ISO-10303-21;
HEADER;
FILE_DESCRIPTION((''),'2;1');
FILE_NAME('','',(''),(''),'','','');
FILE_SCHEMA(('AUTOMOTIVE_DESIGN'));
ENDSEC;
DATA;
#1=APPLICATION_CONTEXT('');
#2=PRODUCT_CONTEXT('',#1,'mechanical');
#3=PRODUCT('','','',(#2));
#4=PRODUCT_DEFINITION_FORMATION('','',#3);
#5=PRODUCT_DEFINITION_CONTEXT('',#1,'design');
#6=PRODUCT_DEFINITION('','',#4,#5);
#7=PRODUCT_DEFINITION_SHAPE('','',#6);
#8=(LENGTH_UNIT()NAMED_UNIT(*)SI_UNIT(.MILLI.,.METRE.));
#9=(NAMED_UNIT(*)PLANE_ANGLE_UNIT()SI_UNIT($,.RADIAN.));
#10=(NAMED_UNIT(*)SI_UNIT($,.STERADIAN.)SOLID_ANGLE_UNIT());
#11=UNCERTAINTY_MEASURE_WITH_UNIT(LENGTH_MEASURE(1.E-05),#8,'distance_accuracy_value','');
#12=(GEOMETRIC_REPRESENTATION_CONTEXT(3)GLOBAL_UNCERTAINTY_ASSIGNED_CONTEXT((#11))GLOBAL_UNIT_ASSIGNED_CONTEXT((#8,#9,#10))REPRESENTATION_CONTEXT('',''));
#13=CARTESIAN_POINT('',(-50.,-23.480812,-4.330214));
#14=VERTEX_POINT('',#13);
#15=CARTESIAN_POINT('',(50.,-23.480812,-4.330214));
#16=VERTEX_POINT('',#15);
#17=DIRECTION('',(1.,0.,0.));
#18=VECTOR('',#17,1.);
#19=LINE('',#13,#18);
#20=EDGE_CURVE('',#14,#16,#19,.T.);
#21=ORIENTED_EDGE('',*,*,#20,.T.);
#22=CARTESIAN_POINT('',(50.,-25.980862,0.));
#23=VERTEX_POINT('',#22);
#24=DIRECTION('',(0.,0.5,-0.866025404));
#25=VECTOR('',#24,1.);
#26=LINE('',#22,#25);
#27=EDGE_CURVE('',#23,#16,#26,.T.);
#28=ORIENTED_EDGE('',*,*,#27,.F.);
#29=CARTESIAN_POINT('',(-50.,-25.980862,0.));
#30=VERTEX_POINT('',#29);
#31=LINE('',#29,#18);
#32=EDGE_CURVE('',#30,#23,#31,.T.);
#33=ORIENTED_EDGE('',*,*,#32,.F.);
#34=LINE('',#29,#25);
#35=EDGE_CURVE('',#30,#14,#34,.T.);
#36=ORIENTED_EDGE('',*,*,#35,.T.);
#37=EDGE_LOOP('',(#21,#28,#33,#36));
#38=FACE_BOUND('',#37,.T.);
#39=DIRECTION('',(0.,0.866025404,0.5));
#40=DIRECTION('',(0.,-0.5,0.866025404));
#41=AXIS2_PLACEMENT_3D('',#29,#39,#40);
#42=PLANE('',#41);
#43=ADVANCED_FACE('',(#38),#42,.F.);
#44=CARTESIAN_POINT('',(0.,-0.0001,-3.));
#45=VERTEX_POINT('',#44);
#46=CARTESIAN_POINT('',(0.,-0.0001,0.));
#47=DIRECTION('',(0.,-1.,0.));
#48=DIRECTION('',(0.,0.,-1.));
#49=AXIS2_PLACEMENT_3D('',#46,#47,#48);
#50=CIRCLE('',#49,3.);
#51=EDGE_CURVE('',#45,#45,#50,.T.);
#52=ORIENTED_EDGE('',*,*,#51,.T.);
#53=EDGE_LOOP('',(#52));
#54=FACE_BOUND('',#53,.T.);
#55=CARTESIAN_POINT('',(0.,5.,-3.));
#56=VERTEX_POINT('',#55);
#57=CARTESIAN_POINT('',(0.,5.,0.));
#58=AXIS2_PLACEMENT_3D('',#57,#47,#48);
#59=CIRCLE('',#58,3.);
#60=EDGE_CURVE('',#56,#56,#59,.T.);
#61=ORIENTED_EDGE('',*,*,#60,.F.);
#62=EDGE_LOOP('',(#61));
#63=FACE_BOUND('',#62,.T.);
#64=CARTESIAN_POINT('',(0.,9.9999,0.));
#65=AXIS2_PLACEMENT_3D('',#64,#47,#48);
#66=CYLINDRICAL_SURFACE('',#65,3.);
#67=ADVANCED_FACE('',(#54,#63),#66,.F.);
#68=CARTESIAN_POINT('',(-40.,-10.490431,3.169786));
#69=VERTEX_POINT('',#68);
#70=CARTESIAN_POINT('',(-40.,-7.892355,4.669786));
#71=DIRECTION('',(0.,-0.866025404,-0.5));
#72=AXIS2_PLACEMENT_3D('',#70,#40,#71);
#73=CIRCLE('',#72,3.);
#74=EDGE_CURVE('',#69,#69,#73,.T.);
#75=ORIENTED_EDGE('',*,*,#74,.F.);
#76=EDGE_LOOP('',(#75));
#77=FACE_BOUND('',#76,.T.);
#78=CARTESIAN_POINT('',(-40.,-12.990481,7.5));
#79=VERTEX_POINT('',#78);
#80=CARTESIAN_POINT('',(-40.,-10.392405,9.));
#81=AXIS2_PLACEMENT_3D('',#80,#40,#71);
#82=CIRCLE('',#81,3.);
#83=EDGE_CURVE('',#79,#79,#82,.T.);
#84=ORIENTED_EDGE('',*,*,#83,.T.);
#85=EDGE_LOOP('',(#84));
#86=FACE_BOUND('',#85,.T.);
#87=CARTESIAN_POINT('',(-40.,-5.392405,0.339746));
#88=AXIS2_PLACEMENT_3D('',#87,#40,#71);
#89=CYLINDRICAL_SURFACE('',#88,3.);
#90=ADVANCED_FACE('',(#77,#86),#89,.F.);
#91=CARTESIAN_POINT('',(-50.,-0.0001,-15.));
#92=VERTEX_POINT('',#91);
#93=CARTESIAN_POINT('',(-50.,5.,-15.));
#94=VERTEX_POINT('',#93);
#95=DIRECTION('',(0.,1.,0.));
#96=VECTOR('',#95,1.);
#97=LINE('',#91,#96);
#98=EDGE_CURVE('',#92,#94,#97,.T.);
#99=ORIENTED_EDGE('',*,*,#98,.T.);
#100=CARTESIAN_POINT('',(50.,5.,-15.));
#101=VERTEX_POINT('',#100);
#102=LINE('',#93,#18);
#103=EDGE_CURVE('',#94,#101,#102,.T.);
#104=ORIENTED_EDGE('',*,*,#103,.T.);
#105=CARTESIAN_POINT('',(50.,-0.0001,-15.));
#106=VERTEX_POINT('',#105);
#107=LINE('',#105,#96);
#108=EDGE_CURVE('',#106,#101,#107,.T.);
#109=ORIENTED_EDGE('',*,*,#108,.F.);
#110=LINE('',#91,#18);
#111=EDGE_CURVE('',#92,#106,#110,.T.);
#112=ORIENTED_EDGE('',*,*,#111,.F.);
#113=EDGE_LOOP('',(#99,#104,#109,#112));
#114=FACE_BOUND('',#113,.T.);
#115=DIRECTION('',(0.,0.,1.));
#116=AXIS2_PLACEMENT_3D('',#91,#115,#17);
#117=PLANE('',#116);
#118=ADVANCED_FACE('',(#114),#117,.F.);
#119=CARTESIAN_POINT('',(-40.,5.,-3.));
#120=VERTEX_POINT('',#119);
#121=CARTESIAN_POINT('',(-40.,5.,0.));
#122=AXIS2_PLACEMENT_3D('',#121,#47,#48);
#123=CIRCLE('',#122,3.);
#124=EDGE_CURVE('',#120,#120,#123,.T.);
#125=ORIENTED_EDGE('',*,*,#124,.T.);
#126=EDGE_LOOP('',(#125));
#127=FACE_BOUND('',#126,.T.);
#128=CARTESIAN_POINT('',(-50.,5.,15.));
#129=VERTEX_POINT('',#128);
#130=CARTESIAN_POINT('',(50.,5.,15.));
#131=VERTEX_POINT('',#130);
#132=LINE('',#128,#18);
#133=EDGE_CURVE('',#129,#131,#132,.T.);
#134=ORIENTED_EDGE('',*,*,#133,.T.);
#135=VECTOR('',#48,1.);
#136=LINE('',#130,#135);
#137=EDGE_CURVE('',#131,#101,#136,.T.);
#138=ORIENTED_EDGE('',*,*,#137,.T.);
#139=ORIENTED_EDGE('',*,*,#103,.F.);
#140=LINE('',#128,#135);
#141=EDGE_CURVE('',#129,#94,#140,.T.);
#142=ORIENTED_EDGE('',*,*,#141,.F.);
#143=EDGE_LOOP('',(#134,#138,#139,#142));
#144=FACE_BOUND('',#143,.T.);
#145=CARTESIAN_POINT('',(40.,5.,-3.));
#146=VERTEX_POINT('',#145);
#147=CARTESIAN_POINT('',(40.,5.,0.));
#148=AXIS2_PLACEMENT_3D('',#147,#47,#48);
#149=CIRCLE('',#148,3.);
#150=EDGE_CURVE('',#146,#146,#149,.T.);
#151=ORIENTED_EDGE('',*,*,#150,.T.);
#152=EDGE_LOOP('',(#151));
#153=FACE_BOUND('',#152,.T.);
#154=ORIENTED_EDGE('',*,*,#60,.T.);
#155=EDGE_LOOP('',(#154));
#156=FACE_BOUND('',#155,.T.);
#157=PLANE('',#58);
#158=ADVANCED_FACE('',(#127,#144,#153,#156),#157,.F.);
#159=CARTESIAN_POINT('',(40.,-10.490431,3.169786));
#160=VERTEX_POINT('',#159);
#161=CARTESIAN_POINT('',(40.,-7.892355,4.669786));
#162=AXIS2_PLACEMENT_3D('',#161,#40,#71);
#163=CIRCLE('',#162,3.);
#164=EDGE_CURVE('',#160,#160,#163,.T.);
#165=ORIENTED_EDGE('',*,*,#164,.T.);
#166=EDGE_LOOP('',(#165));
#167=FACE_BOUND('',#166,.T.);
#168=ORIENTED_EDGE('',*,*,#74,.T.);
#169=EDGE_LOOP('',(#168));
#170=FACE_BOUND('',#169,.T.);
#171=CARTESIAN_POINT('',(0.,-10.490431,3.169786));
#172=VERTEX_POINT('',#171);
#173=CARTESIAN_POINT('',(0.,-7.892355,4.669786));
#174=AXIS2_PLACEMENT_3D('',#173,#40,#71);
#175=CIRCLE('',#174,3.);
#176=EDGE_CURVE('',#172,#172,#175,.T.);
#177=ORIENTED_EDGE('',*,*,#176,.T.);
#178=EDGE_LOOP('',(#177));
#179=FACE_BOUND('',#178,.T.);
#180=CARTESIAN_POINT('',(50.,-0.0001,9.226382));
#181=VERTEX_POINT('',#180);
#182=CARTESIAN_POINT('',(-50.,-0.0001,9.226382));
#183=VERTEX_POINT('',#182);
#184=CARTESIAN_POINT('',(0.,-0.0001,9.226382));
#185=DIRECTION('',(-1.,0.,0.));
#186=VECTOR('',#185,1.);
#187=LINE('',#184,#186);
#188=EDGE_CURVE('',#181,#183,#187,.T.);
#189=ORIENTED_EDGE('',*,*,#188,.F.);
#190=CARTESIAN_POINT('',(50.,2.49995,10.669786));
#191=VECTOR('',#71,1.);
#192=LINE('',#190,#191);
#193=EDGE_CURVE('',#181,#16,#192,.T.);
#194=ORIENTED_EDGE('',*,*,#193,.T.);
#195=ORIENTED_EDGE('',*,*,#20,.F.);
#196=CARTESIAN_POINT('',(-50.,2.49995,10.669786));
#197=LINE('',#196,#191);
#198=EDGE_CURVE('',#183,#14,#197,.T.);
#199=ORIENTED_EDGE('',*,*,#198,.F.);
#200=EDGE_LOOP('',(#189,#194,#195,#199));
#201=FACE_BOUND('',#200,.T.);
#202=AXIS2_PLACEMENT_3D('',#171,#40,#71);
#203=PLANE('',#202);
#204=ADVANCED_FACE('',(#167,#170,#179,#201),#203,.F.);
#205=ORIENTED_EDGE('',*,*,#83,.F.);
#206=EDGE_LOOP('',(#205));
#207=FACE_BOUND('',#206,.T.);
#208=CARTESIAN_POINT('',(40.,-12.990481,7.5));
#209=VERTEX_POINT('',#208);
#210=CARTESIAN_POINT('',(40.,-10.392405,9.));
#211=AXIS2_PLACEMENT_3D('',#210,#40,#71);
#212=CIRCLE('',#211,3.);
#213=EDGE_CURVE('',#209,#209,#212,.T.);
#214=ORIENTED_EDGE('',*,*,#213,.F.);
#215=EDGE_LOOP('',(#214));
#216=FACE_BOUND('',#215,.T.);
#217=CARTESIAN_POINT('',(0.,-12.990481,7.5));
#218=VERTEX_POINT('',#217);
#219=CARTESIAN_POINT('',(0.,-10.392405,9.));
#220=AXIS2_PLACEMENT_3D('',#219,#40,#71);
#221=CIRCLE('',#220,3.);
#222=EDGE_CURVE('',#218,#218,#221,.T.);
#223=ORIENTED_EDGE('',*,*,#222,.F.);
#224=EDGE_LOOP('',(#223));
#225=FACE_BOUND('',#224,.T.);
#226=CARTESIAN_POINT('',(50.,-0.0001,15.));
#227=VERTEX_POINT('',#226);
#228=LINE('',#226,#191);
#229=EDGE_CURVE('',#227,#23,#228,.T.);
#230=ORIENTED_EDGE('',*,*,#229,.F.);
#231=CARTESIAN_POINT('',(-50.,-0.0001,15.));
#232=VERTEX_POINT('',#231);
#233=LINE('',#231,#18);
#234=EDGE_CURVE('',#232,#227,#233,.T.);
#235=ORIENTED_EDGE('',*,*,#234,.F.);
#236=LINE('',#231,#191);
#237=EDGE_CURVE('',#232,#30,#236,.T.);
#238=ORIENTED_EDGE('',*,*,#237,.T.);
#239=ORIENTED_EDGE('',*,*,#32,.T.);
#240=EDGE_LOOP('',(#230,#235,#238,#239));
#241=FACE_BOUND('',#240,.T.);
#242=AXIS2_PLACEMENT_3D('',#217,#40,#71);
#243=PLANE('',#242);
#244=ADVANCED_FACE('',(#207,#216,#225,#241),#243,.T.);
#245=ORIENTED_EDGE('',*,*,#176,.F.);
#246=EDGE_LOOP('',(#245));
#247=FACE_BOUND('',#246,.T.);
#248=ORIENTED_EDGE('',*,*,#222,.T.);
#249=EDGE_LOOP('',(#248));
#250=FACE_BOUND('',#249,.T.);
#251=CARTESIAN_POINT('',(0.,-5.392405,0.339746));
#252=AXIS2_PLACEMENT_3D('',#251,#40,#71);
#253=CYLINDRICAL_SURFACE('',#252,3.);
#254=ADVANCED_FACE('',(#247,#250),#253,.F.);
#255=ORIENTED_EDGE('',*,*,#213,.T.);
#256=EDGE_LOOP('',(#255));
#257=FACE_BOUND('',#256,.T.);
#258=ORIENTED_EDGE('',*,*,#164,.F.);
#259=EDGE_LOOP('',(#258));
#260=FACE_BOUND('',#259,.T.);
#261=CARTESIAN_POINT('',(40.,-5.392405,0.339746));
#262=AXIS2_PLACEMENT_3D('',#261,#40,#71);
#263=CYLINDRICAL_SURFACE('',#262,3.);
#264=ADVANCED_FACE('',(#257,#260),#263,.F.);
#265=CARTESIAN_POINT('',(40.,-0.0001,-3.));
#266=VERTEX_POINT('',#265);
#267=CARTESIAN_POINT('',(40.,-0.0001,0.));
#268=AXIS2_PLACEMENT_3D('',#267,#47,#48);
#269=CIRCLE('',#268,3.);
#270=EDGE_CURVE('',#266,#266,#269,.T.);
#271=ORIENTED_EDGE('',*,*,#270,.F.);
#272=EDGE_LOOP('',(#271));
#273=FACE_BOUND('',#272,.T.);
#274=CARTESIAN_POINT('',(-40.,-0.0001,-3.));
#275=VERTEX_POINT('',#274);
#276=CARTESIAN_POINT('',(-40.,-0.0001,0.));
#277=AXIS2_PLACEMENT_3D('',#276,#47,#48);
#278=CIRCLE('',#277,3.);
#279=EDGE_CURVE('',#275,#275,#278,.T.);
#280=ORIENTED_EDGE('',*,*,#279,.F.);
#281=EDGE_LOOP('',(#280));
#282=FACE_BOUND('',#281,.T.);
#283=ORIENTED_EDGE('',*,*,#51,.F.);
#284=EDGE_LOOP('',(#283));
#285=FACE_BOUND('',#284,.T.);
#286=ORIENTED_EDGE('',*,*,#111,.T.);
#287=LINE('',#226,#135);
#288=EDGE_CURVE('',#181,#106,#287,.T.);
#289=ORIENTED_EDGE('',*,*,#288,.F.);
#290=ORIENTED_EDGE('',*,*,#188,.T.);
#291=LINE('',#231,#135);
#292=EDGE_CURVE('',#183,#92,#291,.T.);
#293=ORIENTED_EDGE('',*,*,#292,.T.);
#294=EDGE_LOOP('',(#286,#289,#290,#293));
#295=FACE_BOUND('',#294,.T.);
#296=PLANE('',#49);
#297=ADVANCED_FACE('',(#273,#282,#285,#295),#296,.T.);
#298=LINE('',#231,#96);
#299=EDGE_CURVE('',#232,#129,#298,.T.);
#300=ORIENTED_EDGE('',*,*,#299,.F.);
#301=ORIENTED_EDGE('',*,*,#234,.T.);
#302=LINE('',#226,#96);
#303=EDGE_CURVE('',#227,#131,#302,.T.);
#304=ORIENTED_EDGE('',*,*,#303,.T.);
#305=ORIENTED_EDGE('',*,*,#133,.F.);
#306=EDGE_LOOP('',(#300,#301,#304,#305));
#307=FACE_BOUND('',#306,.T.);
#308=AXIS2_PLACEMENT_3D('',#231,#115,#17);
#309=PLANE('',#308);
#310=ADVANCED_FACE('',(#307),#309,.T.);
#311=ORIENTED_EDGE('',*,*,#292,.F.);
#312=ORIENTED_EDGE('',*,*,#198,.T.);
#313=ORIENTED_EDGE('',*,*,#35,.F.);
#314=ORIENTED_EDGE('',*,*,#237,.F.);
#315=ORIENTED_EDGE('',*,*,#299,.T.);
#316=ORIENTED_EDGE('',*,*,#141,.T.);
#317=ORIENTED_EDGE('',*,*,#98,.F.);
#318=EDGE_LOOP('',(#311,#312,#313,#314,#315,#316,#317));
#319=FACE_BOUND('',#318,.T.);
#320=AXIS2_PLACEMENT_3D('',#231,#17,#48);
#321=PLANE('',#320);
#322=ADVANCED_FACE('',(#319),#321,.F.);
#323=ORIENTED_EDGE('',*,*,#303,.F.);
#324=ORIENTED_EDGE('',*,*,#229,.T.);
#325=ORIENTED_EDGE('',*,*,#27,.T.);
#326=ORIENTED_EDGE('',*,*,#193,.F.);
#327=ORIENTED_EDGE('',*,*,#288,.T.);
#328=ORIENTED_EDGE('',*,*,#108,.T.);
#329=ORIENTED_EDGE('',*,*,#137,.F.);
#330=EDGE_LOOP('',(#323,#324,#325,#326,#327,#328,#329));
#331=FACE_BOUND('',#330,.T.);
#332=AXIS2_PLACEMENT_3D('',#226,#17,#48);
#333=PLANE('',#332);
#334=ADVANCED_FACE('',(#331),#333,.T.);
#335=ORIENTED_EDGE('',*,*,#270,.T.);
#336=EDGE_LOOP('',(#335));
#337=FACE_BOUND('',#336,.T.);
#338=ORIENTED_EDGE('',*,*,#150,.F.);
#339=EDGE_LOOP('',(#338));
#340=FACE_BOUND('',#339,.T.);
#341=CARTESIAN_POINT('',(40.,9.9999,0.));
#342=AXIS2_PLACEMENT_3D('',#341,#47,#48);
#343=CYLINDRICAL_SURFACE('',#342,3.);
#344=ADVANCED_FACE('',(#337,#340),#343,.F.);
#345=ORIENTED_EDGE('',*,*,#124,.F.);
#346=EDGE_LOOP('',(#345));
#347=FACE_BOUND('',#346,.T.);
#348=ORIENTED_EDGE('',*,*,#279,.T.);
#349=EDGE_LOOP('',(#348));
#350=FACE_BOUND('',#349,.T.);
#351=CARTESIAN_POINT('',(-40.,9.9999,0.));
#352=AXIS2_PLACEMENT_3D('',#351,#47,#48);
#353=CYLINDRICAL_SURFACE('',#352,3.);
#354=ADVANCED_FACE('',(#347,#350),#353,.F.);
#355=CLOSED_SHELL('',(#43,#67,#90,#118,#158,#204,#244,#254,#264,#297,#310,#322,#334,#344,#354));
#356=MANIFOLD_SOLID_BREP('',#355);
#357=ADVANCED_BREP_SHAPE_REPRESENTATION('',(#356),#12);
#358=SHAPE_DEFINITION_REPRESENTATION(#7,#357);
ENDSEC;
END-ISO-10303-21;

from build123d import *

# Parameters (mm, degrees)
BOSS_EXTRUDE1_START = -0.0001
SKETCH2_W           = 100
SKETCH2_H           = 30
BOSS_EXTRUDE1_DEPTH = 5.0001
CIRPATTERN1_COUNT   = 2
CIRPATTERN1_ANGLE   = 60
SKETCH4_R           = 3
CUT_EXTRUDE1_DEPTH  = 10
SKETCH5_R           = 3
CUT_EXTRUDE2_DEPTH  = 10


with BuildPart() as part:
    # Sketch2 → Boss-Extrude1 (new body)
    with BuildSketch(Plane(origin=(0, 0, 0), x_dir=(1, 0, 0), z_dir=(0, 1, 0)).offset(BOSS_EXTRUDE1_START)):
        Rectangle(SKETCH2_W, SKETCH2_H)
    boss_extrude1 = extrude(amount=BOSS_EXTRUDE1_DEPTH)

    # CirPattern1: Boss-Extrude1 ×2 about axis
    cirpattern1_axis = Axis((0, -0.0001, 15), (-1, 0, 0))
    for i in range(1, CIRPATTERN1_COUNT):
        add(boss_extrude1.rotate(cirpattern1_axis, i * CIRPATTERN1_ANGLE / (CIRPATTERN1_COUNT - 1)))

    # Sketch4 → Cut-Extrude1 (cut)
    with BuildSketch(Plane.XZ.offset(0.0001)):
        Circle(SKETCH4_R)
        with Locations((40, 0)):
            Circle(SKETCH4_R)
        with Locations((-40, 0)):
            Circle(SKETCH4_R)
    extrude(amount=-CUT_EXTRUDE1_DEPTH, mode=Mode.SUBTRACT)

    # Sketch5 → Cut-Extrude2 (cut)
    with BuildSketch(Plane(origin=(0, -6.495215528, 11.250043301), x_dir=(1, 0, 0), z_dir=(0, -0.5, 0.866025404))):
        with Locations((40, -4.500086603)):
            Circle(SKETCH5_R)
        with Locations((0, -4.500086603)):
            Circle(SKETCH5_R)
        with Locations((-40, -4.500086603)):
            Circle(SKETCH5_R)
    extrude(amount=-CUT_EXTRUDE2_DEPTH, mode=Mode.SUBTRACT)


solid = part.part
